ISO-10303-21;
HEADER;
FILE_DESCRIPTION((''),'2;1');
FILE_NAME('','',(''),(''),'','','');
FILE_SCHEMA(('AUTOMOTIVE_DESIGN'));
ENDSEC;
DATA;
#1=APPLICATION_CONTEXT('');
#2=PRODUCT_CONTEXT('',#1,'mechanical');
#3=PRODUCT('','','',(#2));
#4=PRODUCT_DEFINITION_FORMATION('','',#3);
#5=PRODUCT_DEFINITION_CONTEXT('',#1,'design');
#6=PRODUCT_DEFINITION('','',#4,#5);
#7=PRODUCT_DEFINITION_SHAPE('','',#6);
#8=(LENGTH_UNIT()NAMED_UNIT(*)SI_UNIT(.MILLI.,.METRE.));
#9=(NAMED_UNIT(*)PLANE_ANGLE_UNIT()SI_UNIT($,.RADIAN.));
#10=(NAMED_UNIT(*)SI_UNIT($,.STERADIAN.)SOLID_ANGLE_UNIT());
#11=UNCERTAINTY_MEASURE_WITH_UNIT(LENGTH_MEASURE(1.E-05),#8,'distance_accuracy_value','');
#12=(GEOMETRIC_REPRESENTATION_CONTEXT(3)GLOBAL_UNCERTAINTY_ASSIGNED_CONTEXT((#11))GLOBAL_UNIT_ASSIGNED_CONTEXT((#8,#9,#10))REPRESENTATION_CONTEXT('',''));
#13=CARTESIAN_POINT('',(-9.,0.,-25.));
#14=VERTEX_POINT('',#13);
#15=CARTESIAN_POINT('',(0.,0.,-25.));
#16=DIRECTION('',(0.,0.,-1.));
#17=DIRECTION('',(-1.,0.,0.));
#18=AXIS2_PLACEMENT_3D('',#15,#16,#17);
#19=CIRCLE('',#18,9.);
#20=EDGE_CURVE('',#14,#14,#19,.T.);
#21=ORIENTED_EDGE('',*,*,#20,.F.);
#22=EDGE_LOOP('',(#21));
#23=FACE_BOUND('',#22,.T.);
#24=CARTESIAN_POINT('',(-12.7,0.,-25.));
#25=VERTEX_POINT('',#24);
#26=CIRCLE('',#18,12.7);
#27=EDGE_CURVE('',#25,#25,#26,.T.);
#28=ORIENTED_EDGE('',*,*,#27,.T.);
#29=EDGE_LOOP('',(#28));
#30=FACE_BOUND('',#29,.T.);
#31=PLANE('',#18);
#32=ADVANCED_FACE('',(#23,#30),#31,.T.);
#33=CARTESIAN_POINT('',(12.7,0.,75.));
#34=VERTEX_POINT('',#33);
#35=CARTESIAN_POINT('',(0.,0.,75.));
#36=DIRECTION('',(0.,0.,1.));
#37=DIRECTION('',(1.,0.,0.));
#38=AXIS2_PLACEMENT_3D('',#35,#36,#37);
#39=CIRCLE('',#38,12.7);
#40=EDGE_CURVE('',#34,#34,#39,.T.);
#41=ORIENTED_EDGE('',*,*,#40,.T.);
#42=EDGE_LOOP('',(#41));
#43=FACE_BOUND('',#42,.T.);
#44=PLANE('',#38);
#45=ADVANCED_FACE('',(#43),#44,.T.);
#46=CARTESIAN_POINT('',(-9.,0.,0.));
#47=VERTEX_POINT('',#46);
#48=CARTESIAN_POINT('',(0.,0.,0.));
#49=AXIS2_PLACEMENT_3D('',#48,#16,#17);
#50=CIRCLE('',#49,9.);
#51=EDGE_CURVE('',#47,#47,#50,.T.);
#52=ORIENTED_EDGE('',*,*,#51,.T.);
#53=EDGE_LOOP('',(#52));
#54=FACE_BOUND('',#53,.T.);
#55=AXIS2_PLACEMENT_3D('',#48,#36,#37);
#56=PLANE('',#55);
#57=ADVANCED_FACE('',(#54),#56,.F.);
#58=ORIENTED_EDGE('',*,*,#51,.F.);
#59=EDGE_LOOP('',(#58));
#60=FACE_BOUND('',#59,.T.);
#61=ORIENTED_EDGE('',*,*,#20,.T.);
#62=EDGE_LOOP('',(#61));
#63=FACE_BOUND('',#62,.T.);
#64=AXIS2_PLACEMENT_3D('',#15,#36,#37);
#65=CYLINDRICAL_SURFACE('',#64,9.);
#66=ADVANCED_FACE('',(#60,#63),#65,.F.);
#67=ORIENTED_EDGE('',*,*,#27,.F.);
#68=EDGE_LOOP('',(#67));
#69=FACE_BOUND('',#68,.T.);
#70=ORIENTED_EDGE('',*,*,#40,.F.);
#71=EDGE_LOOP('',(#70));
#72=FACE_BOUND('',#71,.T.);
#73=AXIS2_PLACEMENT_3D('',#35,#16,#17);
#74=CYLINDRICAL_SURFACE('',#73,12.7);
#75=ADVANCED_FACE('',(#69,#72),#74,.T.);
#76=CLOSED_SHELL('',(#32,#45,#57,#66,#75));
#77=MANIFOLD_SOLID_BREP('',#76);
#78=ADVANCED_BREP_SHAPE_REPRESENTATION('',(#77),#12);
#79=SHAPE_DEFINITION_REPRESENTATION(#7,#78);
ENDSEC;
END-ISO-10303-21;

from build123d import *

# Parameters (mm, degrees)
SKETCH1_R           = 12.7
BOSS_EXTRUDE1_DEPTH = 75
BOSS_EXTRUDE2_START = 25
SKETCH2_R           = 12.7
SKETCH2_R_2         = 9
BOSS_EXTRUDE2_DEPTH = 25


with BuildPart() as part:
    # Sketch1 → Boss-Extrude1 (new body)
    with BuildSketch(Plane.XY):
        Circle(SKETCH1_R)
    extrude(amount=BOSS_EXTRUDE1_DEPTH)

    # Sketch2 → Boss-Extrude2 (add)
    with BuildSketch(Plane(origin=(0, 0, 0), x_dir=(-1, 0, 0), z_dir=(0, 0, -1)).offset(BOSS_EXTRUDE2_START)):
        Circle(SKETCH2_R)
        Circle(SKETCH2_R_2, mode=Mode.SUBTRACT)
    extrude(amount=-BOSS_EXTRUDE2_DEPTH)


solid = part.part
